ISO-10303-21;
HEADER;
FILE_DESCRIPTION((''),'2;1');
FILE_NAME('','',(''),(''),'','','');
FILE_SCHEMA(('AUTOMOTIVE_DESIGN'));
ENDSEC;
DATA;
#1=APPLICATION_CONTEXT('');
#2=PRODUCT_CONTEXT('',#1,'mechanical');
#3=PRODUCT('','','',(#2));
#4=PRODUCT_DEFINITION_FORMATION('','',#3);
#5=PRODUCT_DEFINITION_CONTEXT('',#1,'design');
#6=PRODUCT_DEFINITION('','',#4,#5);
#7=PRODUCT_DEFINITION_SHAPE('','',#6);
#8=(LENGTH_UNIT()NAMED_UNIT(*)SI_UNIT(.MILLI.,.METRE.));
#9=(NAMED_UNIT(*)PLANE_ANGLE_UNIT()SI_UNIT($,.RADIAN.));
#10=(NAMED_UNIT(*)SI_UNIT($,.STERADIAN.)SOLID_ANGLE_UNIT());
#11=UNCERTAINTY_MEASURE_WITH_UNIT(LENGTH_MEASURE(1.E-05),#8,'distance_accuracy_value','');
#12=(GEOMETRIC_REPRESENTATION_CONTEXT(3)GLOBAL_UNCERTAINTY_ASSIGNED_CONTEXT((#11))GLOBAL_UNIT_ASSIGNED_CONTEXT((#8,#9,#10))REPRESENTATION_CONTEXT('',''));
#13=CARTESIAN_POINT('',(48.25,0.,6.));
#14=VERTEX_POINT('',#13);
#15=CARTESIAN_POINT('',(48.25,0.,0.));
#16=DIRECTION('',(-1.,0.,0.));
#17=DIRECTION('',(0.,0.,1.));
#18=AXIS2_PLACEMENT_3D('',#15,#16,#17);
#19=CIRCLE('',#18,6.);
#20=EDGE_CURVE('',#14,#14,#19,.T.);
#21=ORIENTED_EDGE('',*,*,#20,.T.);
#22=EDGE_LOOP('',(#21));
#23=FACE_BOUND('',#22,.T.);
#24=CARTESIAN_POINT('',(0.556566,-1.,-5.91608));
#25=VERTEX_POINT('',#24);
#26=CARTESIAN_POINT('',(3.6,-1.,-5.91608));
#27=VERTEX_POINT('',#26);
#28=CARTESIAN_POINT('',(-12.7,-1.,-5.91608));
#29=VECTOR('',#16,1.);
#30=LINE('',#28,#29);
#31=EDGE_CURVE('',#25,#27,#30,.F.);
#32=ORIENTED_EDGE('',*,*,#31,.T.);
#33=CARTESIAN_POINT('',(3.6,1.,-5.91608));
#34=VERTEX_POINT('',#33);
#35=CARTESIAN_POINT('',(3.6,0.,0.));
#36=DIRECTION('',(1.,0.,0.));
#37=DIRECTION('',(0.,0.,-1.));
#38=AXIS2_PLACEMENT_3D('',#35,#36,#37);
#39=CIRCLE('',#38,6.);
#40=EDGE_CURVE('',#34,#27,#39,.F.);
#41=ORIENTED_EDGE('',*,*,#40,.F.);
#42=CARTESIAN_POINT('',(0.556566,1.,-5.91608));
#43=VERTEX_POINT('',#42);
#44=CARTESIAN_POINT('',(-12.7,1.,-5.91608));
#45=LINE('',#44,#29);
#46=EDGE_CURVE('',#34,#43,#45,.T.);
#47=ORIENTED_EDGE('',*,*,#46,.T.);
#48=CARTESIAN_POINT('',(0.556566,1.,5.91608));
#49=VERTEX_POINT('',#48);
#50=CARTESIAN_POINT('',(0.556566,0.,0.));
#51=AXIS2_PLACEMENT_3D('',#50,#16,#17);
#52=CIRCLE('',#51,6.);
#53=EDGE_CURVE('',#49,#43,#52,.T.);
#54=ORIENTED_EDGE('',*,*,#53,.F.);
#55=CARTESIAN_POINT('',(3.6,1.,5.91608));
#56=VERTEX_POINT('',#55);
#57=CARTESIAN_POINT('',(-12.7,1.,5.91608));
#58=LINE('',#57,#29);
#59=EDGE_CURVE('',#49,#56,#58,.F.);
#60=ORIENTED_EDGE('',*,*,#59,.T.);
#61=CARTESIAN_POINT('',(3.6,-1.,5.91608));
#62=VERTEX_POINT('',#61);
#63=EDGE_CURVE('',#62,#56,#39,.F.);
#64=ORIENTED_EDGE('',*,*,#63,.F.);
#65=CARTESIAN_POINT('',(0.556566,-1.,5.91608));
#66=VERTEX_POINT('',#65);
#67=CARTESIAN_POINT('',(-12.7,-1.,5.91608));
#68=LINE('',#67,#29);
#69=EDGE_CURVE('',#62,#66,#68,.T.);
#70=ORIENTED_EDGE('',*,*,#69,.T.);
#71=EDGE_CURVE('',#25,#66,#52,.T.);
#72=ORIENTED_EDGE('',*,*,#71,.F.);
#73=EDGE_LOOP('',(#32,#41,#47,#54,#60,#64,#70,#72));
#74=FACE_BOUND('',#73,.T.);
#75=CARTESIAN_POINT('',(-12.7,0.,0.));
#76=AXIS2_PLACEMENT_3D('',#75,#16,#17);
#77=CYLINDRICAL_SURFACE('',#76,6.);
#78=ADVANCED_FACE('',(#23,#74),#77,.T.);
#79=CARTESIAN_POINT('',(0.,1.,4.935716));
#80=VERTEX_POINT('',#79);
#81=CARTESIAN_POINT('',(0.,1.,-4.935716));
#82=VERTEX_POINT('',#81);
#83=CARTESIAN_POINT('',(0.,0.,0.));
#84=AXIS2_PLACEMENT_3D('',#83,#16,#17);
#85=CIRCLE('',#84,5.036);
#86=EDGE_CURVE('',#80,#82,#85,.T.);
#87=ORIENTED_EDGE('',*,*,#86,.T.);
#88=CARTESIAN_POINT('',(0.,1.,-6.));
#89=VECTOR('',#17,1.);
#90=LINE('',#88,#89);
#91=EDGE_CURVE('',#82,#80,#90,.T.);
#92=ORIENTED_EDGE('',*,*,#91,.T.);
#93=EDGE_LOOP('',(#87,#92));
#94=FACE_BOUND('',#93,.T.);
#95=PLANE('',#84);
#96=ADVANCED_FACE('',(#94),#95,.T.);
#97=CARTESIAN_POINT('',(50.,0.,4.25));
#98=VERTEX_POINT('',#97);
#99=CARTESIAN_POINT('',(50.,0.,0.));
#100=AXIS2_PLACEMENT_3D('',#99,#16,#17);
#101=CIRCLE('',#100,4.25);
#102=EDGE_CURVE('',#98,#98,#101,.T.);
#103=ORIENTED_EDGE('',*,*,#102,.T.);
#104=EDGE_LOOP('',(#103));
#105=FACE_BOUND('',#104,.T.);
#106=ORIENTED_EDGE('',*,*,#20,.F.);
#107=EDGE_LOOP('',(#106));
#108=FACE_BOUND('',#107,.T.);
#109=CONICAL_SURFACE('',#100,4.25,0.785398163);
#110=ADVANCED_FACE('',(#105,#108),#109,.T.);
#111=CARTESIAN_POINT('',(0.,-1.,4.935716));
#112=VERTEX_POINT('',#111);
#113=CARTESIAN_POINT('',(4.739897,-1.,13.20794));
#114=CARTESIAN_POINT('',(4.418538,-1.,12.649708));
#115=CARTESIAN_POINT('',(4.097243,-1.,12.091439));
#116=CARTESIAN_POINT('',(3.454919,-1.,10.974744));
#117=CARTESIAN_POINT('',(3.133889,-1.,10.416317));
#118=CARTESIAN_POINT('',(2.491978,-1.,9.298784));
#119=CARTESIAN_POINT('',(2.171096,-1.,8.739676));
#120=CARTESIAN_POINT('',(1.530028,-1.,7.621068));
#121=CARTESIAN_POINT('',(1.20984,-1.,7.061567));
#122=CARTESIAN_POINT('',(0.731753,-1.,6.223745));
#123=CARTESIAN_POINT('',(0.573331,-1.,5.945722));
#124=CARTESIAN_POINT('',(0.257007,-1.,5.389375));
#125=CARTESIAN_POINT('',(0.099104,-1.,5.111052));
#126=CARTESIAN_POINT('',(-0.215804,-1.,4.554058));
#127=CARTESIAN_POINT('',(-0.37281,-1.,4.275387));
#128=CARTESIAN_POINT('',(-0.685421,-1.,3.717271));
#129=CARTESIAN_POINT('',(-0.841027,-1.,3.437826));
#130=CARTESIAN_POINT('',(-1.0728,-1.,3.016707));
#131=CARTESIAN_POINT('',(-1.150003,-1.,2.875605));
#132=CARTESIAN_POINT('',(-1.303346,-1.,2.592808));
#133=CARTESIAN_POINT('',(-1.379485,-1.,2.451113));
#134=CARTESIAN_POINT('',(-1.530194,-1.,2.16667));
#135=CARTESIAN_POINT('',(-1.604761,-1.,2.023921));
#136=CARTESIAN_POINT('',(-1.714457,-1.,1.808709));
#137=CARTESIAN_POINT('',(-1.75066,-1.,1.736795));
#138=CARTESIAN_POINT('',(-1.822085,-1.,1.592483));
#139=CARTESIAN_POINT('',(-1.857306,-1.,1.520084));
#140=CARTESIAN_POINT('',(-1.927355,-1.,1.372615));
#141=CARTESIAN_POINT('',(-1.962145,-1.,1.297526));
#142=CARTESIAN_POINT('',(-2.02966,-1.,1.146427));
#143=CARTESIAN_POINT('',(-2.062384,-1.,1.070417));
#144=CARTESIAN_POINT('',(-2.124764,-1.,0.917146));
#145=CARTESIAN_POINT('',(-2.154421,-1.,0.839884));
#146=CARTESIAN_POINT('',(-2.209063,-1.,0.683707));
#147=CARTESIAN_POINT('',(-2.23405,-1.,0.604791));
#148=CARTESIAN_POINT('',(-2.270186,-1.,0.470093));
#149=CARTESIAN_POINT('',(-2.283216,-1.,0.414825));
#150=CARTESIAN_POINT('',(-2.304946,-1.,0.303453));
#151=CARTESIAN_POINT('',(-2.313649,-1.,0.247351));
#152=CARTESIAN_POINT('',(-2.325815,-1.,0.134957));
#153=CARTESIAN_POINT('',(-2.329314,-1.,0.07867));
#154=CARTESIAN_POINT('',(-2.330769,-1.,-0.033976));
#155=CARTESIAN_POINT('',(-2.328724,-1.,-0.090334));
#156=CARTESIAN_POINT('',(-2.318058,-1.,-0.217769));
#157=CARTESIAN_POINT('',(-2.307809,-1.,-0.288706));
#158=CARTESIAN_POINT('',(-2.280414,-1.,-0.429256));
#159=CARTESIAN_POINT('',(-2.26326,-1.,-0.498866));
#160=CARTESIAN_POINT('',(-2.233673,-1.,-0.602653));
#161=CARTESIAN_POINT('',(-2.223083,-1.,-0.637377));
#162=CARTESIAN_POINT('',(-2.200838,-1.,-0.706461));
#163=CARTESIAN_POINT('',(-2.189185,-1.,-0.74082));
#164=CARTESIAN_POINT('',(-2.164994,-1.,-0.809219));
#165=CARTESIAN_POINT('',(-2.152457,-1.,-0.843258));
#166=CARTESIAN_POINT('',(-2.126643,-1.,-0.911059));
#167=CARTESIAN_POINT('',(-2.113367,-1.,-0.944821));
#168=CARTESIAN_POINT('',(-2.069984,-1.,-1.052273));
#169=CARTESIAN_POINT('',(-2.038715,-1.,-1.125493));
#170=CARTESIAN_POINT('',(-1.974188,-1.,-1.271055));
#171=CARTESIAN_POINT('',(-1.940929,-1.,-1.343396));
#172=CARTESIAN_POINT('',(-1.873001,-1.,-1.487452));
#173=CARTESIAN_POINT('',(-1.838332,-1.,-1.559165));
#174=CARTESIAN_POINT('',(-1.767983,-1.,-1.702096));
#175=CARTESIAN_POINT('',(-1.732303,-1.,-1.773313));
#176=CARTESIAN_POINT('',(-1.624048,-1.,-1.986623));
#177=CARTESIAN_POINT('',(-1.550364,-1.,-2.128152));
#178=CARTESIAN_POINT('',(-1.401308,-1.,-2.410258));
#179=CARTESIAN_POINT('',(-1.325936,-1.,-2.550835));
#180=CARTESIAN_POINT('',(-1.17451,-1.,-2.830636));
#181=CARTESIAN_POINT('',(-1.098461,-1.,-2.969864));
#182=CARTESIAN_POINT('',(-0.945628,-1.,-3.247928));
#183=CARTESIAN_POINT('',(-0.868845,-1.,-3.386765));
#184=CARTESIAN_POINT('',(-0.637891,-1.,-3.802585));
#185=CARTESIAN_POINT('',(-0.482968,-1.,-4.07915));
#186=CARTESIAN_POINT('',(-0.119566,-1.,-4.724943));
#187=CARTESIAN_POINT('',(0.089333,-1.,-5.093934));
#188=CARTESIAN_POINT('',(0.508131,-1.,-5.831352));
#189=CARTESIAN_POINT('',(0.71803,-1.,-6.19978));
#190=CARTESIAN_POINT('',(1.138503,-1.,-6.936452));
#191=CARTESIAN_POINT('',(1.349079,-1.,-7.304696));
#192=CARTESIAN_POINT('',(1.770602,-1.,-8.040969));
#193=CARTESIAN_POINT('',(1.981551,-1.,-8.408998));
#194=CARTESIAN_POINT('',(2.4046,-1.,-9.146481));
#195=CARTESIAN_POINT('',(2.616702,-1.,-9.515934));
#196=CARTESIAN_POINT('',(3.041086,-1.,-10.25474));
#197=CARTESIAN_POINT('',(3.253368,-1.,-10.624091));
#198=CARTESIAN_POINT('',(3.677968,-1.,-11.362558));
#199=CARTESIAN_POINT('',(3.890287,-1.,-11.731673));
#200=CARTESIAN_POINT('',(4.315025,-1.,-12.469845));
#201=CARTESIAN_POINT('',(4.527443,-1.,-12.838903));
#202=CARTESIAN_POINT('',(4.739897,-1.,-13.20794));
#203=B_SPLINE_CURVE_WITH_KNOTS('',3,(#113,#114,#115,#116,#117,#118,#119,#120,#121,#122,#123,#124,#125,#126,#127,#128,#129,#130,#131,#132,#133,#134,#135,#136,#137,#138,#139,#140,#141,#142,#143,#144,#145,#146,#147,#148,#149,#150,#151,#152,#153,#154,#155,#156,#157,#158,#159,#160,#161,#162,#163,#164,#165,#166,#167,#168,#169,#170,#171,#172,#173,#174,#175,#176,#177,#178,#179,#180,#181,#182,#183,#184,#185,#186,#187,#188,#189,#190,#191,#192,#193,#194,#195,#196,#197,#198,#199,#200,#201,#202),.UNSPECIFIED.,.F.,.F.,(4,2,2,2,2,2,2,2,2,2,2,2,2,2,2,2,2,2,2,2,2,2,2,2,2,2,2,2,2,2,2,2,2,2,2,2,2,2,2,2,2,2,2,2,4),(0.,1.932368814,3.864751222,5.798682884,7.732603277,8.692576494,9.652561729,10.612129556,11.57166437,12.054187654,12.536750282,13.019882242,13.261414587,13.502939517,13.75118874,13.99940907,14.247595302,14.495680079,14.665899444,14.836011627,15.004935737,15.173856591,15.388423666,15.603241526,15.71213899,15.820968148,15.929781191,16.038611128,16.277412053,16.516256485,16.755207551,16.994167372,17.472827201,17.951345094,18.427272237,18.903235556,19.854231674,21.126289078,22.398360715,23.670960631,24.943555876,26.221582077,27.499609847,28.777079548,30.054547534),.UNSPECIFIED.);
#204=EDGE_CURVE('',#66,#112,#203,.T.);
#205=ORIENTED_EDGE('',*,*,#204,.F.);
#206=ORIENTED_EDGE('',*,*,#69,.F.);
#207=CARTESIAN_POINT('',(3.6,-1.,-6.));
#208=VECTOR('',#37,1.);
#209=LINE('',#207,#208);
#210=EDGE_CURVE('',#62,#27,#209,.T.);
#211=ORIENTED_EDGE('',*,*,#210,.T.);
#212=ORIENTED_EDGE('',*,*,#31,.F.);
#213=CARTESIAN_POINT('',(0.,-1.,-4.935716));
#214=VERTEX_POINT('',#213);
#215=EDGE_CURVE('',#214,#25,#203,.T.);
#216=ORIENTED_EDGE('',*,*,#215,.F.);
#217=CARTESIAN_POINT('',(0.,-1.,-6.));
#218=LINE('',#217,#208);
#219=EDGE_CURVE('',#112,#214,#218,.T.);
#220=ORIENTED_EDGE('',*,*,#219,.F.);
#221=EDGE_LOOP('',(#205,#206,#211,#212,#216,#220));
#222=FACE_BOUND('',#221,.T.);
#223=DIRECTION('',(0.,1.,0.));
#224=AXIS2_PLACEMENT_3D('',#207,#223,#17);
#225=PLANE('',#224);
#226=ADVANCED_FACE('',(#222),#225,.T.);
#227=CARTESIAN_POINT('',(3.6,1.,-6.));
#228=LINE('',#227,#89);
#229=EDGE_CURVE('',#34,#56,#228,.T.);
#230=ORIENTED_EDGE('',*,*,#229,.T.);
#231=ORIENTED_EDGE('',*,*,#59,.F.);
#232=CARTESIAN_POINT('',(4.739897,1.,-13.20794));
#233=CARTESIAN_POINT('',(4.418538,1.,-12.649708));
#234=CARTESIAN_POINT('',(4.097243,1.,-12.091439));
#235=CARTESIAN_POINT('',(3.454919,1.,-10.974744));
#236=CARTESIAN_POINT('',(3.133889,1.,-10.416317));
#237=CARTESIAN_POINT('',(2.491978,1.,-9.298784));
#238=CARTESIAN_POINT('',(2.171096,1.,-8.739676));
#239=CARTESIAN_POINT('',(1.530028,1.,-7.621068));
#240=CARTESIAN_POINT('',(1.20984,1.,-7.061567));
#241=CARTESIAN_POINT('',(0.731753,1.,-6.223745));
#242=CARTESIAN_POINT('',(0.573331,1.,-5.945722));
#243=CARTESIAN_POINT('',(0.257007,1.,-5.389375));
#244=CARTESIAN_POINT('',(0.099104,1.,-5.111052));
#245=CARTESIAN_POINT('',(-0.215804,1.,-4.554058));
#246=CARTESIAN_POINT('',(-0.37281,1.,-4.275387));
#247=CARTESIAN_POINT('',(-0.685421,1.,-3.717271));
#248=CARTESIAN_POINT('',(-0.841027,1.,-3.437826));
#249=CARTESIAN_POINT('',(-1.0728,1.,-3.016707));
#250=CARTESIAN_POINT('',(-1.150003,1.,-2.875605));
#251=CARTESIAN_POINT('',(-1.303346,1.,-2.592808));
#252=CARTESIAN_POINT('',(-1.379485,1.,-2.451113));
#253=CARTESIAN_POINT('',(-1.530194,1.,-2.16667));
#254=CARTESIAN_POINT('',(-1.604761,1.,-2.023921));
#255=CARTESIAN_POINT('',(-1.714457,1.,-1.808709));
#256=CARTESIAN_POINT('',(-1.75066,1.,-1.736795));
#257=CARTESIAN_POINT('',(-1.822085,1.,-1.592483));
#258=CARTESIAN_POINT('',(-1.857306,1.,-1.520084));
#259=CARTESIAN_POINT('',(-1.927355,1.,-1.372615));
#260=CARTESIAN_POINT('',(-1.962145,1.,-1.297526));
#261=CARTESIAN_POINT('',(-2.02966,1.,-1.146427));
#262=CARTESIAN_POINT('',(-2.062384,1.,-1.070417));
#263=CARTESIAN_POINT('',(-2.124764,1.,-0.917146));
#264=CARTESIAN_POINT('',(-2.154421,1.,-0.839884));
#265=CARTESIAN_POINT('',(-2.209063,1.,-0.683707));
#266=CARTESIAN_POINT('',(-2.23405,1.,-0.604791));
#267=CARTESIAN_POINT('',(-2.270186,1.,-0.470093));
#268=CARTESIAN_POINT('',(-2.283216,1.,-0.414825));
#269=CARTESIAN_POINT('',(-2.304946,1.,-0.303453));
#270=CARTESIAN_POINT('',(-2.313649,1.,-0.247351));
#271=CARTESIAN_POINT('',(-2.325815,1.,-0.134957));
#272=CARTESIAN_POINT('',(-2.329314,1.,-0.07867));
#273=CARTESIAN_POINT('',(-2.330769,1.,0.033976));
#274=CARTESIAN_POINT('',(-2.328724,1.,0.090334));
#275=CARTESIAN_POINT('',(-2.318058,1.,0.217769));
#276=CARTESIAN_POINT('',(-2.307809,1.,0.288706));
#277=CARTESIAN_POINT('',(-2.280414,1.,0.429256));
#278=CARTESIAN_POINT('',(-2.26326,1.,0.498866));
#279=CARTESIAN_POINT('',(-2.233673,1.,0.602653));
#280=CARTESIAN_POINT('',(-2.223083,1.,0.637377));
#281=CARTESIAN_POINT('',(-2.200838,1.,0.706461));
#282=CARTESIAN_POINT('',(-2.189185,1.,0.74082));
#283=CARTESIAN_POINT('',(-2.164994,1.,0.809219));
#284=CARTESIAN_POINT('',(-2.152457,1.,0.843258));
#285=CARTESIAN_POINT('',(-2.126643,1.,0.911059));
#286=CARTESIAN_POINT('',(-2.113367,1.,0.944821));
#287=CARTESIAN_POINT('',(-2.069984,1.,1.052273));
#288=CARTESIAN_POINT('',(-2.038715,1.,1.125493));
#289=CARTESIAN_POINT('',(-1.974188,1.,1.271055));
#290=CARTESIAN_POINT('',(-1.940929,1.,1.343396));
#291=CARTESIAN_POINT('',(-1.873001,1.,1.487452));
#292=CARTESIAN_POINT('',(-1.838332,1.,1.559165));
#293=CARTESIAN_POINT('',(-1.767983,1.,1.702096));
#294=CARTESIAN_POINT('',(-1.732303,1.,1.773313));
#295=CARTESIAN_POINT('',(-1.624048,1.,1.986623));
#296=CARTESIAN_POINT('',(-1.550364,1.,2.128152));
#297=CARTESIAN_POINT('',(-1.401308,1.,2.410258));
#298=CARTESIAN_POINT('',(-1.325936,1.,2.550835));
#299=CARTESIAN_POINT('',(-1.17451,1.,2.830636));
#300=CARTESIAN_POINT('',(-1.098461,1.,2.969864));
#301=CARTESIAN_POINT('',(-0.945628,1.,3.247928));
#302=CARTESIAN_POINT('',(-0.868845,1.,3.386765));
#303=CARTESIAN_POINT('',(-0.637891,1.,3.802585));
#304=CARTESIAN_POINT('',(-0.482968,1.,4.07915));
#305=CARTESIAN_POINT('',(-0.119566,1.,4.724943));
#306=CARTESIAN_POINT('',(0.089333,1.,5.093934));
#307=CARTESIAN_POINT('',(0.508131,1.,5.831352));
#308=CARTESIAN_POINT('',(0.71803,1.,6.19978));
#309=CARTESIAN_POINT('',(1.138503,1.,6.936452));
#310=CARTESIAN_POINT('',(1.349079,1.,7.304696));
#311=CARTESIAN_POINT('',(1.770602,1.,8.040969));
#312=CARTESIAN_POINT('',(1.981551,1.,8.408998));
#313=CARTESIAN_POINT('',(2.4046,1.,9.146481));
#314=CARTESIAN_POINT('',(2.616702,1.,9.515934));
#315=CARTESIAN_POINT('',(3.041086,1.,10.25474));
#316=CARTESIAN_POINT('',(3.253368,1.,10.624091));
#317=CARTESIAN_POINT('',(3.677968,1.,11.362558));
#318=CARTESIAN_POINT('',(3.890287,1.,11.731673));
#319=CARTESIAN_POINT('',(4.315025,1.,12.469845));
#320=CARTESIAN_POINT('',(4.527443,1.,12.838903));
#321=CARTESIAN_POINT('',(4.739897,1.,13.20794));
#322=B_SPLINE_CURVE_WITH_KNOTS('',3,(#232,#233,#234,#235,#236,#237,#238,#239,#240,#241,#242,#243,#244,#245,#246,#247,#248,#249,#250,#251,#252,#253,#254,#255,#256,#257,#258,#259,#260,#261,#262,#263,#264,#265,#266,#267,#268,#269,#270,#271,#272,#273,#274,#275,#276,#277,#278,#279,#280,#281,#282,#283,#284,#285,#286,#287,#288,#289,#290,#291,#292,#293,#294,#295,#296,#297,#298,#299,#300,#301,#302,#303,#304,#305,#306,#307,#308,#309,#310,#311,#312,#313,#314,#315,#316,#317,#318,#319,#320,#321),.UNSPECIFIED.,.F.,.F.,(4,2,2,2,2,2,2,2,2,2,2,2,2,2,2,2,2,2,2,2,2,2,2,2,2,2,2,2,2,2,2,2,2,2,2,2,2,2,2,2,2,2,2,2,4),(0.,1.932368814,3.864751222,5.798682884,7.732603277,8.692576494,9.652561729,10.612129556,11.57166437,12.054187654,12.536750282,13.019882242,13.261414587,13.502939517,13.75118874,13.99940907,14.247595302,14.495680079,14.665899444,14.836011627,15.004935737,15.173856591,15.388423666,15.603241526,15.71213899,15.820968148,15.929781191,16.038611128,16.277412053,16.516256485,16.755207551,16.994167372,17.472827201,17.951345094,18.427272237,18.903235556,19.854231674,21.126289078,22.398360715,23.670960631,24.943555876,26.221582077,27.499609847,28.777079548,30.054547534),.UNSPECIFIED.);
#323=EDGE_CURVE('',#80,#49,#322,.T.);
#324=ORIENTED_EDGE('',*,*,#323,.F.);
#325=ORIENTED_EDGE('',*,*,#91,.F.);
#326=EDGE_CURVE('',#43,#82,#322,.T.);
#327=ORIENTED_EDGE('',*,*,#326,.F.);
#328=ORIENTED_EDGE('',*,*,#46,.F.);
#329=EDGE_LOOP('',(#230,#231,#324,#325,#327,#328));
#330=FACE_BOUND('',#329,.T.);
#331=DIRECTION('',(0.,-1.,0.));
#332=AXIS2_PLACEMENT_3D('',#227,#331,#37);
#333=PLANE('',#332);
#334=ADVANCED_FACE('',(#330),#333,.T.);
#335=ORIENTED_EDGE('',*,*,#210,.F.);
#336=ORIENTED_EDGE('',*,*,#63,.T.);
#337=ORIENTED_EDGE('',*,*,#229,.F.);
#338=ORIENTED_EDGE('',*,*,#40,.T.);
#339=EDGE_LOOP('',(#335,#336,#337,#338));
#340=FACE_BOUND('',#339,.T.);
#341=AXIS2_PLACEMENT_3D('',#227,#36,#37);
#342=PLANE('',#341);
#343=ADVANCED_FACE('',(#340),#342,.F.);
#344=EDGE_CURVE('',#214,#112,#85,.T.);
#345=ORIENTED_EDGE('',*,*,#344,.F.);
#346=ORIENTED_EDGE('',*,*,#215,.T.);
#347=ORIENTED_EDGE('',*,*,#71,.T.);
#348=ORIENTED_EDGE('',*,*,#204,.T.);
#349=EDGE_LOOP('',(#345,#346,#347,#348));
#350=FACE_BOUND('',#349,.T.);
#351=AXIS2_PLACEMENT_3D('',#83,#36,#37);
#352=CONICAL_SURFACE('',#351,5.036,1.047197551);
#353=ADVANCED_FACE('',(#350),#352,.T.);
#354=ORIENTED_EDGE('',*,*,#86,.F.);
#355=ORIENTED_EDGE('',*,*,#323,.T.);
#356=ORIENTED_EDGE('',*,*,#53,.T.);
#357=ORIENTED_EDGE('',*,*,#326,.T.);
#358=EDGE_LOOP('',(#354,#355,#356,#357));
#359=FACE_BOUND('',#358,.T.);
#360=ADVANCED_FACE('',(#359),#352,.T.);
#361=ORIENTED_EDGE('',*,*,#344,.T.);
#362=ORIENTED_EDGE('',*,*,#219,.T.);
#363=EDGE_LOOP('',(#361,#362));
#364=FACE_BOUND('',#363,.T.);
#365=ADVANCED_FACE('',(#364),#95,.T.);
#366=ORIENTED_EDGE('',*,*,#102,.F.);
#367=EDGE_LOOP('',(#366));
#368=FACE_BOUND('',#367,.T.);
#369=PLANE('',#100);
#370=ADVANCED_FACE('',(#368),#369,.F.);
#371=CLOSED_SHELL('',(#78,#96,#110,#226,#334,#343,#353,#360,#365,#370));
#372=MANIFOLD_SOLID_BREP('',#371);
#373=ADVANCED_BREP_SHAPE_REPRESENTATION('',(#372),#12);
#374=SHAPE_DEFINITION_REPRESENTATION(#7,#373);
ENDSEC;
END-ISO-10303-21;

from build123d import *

# Parameters (mm, degrees)
SKETCH2_W  = 12
SKETCH2_H  = 2
SLOT_DEPTH = 3.6


with BuildPart() as part:
    # BodySke → BaseBody (revolve)
    with BuildSketch(Plane.XY, mode=Mode.PRIVATE) as basebody_sk:
        Polygon((50, 0), (50, 4.25), (48.25, 6), (0.556565659, 6), (0, 5.036), (0, 0), align=None)
    revolve(basebody_sk.sketch.rotate(Axis((50, 0, 0), (1, 0, 0)), 90), axis=Axis((50, 0, 0), (1, 0, 0)))

    # Sketch2 → Slot (cut)
    with BuildSketch(Plane(origin=(0, 0, 0), x_dir=(0, 0, -1), z_dir=(1, 0, 0))):
        Rectangle(SKETCH2_W, SKETCH2_H)
    extrude(amount=SLOT_DEPTH, mode=Mode.SUBTRACT)


solid = part.part
